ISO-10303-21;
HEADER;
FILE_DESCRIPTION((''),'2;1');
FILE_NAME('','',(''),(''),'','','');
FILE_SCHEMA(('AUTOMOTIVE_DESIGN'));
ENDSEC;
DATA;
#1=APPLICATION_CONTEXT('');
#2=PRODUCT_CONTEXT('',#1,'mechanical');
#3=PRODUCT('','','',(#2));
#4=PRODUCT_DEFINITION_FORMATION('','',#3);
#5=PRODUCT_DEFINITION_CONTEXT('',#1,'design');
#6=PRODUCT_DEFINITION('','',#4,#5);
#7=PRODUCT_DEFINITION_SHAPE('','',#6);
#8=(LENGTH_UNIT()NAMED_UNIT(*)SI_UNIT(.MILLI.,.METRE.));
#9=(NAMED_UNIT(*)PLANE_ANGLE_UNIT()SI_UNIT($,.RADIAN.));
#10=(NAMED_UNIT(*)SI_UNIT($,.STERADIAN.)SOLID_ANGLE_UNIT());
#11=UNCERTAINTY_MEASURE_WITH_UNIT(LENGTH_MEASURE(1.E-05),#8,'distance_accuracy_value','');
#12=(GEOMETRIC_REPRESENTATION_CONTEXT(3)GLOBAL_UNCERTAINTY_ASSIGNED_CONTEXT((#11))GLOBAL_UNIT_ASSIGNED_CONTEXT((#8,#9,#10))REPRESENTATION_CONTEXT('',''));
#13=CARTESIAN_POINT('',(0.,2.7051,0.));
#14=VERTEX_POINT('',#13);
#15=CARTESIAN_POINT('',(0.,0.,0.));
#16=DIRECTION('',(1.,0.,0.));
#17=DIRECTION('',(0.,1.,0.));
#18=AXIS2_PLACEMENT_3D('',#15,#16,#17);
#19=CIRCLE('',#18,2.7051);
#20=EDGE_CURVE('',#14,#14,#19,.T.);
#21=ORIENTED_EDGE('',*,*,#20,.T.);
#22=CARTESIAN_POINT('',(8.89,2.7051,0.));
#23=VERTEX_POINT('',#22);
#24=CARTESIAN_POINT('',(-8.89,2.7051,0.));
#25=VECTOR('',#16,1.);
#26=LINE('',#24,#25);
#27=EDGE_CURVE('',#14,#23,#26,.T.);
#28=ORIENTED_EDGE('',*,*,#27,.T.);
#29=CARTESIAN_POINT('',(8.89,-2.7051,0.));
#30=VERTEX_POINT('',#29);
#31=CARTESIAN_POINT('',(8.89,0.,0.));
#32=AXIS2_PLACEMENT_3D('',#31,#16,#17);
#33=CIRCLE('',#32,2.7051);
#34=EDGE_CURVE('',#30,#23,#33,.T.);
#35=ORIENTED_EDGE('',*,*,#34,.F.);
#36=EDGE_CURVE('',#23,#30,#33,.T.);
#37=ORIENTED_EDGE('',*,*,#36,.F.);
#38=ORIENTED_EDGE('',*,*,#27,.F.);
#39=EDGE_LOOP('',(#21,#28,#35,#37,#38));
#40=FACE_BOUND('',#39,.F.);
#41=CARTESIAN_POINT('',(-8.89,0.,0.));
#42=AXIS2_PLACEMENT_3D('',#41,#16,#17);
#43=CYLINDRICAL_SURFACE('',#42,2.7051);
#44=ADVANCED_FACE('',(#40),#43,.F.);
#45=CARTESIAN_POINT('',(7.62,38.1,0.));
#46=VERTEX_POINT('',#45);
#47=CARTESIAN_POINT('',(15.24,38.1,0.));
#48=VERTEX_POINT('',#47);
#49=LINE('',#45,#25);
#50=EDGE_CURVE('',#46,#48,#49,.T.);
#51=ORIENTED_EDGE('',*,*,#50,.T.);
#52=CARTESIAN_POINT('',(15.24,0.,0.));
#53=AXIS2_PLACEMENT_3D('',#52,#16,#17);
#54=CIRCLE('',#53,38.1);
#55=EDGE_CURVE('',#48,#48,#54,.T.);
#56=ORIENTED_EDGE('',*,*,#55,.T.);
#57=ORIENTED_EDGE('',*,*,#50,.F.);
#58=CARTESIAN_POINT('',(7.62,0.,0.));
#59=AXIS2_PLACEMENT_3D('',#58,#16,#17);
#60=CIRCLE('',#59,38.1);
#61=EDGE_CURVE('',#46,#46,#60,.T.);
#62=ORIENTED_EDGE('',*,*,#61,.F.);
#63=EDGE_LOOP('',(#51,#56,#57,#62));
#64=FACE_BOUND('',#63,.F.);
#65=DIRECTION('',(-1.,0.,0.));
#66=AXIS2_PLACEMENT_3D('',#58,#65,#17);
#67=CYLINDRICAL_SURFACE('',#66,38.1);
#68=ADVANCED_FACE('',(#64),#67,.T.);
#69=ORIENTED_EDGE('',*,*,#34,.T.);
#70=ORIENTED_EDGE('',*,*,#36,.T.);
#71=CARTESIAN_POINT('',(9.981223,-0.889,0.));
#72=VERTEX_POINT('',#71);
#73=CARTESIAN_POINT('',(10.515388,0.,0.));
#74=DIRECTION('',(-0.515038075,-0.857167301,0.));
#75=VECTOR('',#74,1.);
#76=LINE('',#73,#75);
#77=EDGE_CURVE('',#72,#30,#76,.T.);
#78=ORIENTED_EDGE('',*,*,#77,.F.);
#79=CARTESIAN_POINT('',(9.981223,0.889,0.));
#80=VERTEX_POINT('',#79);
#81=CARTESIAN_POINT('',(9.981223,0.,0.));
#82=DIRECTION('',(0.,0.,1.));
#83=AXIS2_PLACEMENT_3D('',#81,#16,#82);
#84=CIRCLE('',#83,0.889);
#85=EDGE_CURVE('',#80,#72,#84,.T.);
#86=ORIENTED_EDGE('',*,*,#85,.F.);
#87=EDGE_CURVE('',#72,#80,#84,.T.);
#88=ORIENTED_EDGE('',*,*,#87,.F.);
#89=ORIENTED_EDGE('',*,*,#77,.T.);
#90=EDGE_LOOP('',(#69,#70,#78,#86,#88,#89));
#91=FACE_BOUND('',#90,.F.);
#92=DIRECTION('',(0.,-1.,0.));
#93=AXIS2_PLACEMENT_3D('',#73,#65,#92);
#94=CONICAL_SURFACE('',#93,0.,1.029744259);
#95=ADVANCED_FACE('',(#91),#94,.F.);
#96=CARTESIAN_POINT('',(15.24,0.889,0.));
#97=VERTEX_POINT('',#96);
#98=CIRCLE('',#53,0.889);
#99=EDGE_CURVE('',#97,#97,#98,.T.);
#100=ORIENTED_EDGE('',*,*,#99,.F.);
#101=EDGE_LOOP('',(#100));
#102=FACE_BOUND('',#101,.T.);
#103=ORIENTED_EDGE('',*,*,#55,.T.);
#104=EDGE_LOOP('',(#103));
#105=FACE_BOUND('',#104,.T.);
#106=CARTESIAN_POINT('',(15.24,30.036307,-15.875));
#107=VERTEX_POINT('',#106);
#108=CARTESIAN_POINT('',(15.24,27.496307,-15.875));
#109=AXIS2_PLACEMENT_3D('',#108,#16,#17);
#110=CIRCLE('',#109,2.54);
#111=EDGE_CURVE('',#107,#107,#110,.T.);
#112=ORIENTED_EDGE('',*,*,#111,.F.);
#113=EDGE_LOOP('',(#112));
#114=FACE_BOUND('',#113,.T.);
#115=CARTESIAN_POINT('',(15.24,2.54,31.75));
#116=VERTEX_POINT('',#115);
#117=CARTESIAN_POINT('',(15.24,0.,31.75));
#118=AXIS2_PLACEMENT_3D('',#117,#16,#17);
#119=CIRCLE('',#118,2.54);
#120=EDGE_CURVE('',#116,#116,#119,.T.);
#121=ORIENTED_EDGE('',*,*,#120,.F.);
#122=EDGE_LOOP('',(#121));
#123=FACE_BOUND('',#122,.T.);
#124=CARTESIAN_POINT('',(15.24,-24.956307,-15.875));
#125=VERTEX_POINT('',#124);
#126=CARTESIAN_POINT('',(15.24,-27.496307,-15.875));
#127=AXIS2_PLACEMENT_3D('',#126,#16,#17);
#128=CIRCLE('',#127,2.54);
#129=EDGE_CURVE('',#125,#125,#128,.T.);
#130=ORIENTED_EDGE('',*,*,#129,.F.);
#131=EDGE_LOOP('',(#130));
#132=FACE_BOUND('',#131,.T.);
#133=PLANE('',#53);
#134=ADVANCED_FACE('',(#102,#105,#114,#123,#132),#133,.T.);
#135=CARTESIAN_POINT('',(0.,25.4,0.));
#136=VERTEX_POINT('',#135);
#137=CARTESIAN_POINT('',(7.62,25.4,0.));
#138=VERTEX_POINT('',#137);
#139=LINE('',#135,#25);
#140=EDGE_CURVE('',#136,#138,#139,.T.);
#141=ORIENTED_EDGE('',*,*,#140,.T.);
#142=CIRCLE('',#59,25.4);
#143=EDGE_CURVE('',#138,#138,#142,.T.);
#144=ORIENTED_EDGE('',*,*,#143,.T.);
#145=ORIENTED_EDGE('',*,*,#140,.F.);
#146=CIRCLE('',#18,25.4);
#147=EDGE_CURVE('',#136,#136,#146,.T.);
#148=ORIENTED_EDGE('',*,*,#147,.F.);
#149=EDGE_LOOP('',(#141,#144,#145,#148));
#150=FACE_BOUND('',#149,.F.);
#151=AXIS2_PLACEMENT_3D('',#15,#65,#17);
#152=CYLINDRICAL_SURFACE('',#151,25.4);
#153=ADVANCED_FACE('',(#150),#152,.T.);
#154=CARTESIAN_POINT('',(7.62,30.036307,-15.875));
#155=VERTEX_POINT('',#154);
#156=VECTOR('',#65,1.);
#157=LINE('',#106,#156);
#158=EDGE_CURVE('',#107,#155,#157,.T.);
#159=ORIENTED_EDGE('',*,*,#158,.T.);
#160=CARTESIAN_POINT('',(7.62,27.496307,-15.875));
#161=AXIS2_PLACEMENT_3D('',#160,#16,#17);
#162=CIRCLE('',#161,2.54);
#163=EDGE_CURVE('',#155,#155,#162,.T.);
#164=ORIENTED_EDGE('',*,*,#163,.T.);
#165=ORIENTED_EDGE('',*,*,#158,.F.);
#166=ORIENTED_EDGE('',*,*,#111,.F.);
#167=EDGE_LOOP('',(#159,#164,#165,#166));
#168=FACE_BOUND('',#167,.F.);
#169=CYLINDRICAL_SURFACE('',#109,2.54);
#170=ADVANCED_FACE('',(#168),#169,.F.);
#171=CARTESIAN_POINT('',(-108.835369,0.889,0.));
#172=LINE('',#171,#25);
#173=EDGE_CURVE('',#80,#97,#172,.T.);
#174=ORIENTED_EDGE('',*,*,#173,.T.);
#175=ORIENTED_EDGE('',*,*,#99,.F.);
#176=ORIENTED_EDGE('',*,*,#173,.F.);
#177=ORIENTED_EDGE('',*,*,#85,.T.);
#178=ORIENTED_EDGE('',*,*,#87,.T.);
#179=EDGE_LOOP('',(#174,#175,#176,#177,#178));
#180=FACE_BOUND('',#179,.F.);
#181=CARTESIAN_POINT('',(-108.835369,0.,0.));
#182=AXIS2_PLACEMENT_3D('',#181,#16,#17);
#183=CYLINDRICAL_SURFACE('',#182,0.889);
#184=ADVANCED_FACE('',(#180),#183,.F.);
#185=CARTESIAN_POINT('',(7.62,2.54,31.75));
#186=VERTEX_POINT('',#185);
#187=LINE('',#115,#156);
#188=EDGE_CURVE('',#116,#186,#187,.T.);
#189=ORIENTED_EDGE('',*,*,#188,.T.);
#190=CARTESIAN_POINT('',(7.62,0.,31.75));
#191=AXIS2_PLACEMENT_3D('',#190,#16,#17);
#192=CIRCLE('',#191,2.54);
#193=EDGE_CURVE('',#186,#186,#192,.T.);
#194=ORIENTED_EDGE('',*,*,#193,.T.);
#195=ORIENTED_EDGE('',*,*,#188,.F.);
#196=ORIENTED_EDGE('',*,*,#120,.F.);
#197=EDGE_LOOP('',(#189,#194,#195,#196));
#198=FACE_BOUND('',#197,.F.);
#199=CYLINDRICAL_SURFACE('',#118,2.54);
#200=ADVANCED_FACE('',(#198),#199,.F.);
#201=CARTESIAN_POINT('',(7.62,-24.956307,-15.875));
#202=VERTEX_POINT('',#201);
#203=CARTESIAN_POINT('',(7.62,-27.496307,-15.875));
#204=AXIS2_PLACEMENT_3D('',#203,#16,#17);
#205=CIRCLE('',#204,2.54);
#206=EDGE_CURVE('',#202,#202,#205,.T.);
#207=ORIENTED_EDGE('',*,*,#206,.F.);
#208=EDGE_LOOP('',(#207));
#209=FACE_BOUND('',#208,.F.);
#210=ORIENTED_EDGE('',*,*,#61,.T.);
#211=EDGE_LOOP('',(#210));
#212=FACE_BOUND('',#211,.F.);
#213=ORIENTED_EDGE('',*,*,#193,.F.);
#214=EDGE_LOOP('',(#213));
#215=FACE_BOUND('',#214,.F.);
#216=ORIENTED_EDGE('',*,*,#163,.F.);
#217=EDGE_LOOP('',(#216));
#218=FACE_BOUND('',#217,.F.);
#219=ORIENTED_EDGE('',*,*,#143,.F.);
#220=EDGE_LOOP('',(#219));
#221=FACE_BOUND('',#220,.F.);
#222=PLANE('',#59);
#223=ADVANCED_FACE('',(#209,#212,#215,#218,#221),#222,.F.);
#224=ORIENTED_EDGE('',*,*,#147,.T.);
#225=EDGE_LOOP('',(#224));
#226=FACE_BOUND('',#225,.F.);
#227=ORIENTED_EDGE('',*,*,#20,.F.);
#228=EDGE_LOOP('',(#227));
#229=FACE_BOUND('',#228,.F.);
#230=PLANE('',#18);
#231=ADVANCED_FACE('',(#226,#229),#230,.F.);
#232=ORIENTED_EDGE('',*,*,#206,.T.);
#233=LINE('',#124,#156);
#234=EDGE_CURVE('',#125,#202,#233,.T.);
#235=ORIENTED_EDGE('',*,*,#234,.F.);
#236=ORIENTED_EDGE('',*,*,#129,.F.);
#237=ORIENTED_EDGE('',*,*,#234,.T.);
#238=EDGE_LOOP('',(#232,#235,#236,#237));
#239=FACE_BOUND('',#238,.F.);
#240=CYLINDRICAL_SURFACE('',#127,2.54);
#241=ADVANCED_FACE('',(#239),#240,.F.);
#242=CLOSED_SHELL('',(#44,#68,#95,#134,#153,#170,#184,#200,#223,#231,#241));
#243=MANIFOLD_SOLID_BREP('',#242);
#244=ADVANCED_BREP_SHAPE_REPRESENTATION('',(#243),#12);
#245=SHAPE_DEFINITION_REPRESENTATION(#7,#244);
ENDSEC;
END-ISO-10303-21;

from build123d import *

# Parameters (mm, degrees)
F0_R       = 25.4
F1_DEPTH   = 7.62
F2_R       = 38.1
F1_FACE1_R = 25.4
F3_DEPTH   = 7.62
F4_R       = 2.54
F5_DEPTH   = 7.62
F7_D       = 5.4102
F7_DEPTH   = 8.89
F7_TIP     = 1.6253880605
F8_D       = 1.778


with BuildPart() as f1:
    # F0 (on Right) → F1 (new body)
    with BuildSketch(Plane.YZ):
        Circle(F0_R)
    extrude(amount=F1_DEPTH)

    # F2 (on face) + F1_face1 (on face) → F3 (join)
    with BuildSketch(Plane.YZ.offset(7.62)):
        Circle(F2_R)
    with BuildSketch(Plane(origin=(0, 0, 0), x_dir=(0, 1, 0), z_dir=(-1, 0, 0))):
        Circle(F1_FACE1_R)
    extrude(amount=F3_DEPTH, dir=(1, 0, 0))

    # F4 (on face) → F5 (cut)
    with BuildSketch(Plane.YZ.offset(15.24)):
        with Locations((0, 31.75)):
            Circle(F4_R)
        with Locations((27.4963065702, -15.875)):
            Circle(F4_R)
        with Locations((-27.4963065702, -15.875)):
            Circle(F4_R)
    extrude(amount=-F5_DEPTH, mode=Mode.SUBTRACT)

    # F7
    with Locations(Plane(origin=(0, 0, 0), x_dir=(0, -1, 0), z_dir=(-1, 0, 0))):
        with Locations((0, 0)):
            Hole(F7_D / 2, depth=F7_DEPTH)
            with Locations((0, 0, -(F7_DEPTH + F7_TIP / 2))):  # 118° drill point
                Cone(0, F7_D / 2, F7_TIP, mode=Mode.SUBTRACT)

    # F8 (through all)
    with Locations(Plane(origin=(0, 0, 0), x_dir=(0, -1, 0), z_dir=(-1, 0, 0))):
        with Locations((0, 0)):
            Hole(F8_D / 2)


solid = f1.part
